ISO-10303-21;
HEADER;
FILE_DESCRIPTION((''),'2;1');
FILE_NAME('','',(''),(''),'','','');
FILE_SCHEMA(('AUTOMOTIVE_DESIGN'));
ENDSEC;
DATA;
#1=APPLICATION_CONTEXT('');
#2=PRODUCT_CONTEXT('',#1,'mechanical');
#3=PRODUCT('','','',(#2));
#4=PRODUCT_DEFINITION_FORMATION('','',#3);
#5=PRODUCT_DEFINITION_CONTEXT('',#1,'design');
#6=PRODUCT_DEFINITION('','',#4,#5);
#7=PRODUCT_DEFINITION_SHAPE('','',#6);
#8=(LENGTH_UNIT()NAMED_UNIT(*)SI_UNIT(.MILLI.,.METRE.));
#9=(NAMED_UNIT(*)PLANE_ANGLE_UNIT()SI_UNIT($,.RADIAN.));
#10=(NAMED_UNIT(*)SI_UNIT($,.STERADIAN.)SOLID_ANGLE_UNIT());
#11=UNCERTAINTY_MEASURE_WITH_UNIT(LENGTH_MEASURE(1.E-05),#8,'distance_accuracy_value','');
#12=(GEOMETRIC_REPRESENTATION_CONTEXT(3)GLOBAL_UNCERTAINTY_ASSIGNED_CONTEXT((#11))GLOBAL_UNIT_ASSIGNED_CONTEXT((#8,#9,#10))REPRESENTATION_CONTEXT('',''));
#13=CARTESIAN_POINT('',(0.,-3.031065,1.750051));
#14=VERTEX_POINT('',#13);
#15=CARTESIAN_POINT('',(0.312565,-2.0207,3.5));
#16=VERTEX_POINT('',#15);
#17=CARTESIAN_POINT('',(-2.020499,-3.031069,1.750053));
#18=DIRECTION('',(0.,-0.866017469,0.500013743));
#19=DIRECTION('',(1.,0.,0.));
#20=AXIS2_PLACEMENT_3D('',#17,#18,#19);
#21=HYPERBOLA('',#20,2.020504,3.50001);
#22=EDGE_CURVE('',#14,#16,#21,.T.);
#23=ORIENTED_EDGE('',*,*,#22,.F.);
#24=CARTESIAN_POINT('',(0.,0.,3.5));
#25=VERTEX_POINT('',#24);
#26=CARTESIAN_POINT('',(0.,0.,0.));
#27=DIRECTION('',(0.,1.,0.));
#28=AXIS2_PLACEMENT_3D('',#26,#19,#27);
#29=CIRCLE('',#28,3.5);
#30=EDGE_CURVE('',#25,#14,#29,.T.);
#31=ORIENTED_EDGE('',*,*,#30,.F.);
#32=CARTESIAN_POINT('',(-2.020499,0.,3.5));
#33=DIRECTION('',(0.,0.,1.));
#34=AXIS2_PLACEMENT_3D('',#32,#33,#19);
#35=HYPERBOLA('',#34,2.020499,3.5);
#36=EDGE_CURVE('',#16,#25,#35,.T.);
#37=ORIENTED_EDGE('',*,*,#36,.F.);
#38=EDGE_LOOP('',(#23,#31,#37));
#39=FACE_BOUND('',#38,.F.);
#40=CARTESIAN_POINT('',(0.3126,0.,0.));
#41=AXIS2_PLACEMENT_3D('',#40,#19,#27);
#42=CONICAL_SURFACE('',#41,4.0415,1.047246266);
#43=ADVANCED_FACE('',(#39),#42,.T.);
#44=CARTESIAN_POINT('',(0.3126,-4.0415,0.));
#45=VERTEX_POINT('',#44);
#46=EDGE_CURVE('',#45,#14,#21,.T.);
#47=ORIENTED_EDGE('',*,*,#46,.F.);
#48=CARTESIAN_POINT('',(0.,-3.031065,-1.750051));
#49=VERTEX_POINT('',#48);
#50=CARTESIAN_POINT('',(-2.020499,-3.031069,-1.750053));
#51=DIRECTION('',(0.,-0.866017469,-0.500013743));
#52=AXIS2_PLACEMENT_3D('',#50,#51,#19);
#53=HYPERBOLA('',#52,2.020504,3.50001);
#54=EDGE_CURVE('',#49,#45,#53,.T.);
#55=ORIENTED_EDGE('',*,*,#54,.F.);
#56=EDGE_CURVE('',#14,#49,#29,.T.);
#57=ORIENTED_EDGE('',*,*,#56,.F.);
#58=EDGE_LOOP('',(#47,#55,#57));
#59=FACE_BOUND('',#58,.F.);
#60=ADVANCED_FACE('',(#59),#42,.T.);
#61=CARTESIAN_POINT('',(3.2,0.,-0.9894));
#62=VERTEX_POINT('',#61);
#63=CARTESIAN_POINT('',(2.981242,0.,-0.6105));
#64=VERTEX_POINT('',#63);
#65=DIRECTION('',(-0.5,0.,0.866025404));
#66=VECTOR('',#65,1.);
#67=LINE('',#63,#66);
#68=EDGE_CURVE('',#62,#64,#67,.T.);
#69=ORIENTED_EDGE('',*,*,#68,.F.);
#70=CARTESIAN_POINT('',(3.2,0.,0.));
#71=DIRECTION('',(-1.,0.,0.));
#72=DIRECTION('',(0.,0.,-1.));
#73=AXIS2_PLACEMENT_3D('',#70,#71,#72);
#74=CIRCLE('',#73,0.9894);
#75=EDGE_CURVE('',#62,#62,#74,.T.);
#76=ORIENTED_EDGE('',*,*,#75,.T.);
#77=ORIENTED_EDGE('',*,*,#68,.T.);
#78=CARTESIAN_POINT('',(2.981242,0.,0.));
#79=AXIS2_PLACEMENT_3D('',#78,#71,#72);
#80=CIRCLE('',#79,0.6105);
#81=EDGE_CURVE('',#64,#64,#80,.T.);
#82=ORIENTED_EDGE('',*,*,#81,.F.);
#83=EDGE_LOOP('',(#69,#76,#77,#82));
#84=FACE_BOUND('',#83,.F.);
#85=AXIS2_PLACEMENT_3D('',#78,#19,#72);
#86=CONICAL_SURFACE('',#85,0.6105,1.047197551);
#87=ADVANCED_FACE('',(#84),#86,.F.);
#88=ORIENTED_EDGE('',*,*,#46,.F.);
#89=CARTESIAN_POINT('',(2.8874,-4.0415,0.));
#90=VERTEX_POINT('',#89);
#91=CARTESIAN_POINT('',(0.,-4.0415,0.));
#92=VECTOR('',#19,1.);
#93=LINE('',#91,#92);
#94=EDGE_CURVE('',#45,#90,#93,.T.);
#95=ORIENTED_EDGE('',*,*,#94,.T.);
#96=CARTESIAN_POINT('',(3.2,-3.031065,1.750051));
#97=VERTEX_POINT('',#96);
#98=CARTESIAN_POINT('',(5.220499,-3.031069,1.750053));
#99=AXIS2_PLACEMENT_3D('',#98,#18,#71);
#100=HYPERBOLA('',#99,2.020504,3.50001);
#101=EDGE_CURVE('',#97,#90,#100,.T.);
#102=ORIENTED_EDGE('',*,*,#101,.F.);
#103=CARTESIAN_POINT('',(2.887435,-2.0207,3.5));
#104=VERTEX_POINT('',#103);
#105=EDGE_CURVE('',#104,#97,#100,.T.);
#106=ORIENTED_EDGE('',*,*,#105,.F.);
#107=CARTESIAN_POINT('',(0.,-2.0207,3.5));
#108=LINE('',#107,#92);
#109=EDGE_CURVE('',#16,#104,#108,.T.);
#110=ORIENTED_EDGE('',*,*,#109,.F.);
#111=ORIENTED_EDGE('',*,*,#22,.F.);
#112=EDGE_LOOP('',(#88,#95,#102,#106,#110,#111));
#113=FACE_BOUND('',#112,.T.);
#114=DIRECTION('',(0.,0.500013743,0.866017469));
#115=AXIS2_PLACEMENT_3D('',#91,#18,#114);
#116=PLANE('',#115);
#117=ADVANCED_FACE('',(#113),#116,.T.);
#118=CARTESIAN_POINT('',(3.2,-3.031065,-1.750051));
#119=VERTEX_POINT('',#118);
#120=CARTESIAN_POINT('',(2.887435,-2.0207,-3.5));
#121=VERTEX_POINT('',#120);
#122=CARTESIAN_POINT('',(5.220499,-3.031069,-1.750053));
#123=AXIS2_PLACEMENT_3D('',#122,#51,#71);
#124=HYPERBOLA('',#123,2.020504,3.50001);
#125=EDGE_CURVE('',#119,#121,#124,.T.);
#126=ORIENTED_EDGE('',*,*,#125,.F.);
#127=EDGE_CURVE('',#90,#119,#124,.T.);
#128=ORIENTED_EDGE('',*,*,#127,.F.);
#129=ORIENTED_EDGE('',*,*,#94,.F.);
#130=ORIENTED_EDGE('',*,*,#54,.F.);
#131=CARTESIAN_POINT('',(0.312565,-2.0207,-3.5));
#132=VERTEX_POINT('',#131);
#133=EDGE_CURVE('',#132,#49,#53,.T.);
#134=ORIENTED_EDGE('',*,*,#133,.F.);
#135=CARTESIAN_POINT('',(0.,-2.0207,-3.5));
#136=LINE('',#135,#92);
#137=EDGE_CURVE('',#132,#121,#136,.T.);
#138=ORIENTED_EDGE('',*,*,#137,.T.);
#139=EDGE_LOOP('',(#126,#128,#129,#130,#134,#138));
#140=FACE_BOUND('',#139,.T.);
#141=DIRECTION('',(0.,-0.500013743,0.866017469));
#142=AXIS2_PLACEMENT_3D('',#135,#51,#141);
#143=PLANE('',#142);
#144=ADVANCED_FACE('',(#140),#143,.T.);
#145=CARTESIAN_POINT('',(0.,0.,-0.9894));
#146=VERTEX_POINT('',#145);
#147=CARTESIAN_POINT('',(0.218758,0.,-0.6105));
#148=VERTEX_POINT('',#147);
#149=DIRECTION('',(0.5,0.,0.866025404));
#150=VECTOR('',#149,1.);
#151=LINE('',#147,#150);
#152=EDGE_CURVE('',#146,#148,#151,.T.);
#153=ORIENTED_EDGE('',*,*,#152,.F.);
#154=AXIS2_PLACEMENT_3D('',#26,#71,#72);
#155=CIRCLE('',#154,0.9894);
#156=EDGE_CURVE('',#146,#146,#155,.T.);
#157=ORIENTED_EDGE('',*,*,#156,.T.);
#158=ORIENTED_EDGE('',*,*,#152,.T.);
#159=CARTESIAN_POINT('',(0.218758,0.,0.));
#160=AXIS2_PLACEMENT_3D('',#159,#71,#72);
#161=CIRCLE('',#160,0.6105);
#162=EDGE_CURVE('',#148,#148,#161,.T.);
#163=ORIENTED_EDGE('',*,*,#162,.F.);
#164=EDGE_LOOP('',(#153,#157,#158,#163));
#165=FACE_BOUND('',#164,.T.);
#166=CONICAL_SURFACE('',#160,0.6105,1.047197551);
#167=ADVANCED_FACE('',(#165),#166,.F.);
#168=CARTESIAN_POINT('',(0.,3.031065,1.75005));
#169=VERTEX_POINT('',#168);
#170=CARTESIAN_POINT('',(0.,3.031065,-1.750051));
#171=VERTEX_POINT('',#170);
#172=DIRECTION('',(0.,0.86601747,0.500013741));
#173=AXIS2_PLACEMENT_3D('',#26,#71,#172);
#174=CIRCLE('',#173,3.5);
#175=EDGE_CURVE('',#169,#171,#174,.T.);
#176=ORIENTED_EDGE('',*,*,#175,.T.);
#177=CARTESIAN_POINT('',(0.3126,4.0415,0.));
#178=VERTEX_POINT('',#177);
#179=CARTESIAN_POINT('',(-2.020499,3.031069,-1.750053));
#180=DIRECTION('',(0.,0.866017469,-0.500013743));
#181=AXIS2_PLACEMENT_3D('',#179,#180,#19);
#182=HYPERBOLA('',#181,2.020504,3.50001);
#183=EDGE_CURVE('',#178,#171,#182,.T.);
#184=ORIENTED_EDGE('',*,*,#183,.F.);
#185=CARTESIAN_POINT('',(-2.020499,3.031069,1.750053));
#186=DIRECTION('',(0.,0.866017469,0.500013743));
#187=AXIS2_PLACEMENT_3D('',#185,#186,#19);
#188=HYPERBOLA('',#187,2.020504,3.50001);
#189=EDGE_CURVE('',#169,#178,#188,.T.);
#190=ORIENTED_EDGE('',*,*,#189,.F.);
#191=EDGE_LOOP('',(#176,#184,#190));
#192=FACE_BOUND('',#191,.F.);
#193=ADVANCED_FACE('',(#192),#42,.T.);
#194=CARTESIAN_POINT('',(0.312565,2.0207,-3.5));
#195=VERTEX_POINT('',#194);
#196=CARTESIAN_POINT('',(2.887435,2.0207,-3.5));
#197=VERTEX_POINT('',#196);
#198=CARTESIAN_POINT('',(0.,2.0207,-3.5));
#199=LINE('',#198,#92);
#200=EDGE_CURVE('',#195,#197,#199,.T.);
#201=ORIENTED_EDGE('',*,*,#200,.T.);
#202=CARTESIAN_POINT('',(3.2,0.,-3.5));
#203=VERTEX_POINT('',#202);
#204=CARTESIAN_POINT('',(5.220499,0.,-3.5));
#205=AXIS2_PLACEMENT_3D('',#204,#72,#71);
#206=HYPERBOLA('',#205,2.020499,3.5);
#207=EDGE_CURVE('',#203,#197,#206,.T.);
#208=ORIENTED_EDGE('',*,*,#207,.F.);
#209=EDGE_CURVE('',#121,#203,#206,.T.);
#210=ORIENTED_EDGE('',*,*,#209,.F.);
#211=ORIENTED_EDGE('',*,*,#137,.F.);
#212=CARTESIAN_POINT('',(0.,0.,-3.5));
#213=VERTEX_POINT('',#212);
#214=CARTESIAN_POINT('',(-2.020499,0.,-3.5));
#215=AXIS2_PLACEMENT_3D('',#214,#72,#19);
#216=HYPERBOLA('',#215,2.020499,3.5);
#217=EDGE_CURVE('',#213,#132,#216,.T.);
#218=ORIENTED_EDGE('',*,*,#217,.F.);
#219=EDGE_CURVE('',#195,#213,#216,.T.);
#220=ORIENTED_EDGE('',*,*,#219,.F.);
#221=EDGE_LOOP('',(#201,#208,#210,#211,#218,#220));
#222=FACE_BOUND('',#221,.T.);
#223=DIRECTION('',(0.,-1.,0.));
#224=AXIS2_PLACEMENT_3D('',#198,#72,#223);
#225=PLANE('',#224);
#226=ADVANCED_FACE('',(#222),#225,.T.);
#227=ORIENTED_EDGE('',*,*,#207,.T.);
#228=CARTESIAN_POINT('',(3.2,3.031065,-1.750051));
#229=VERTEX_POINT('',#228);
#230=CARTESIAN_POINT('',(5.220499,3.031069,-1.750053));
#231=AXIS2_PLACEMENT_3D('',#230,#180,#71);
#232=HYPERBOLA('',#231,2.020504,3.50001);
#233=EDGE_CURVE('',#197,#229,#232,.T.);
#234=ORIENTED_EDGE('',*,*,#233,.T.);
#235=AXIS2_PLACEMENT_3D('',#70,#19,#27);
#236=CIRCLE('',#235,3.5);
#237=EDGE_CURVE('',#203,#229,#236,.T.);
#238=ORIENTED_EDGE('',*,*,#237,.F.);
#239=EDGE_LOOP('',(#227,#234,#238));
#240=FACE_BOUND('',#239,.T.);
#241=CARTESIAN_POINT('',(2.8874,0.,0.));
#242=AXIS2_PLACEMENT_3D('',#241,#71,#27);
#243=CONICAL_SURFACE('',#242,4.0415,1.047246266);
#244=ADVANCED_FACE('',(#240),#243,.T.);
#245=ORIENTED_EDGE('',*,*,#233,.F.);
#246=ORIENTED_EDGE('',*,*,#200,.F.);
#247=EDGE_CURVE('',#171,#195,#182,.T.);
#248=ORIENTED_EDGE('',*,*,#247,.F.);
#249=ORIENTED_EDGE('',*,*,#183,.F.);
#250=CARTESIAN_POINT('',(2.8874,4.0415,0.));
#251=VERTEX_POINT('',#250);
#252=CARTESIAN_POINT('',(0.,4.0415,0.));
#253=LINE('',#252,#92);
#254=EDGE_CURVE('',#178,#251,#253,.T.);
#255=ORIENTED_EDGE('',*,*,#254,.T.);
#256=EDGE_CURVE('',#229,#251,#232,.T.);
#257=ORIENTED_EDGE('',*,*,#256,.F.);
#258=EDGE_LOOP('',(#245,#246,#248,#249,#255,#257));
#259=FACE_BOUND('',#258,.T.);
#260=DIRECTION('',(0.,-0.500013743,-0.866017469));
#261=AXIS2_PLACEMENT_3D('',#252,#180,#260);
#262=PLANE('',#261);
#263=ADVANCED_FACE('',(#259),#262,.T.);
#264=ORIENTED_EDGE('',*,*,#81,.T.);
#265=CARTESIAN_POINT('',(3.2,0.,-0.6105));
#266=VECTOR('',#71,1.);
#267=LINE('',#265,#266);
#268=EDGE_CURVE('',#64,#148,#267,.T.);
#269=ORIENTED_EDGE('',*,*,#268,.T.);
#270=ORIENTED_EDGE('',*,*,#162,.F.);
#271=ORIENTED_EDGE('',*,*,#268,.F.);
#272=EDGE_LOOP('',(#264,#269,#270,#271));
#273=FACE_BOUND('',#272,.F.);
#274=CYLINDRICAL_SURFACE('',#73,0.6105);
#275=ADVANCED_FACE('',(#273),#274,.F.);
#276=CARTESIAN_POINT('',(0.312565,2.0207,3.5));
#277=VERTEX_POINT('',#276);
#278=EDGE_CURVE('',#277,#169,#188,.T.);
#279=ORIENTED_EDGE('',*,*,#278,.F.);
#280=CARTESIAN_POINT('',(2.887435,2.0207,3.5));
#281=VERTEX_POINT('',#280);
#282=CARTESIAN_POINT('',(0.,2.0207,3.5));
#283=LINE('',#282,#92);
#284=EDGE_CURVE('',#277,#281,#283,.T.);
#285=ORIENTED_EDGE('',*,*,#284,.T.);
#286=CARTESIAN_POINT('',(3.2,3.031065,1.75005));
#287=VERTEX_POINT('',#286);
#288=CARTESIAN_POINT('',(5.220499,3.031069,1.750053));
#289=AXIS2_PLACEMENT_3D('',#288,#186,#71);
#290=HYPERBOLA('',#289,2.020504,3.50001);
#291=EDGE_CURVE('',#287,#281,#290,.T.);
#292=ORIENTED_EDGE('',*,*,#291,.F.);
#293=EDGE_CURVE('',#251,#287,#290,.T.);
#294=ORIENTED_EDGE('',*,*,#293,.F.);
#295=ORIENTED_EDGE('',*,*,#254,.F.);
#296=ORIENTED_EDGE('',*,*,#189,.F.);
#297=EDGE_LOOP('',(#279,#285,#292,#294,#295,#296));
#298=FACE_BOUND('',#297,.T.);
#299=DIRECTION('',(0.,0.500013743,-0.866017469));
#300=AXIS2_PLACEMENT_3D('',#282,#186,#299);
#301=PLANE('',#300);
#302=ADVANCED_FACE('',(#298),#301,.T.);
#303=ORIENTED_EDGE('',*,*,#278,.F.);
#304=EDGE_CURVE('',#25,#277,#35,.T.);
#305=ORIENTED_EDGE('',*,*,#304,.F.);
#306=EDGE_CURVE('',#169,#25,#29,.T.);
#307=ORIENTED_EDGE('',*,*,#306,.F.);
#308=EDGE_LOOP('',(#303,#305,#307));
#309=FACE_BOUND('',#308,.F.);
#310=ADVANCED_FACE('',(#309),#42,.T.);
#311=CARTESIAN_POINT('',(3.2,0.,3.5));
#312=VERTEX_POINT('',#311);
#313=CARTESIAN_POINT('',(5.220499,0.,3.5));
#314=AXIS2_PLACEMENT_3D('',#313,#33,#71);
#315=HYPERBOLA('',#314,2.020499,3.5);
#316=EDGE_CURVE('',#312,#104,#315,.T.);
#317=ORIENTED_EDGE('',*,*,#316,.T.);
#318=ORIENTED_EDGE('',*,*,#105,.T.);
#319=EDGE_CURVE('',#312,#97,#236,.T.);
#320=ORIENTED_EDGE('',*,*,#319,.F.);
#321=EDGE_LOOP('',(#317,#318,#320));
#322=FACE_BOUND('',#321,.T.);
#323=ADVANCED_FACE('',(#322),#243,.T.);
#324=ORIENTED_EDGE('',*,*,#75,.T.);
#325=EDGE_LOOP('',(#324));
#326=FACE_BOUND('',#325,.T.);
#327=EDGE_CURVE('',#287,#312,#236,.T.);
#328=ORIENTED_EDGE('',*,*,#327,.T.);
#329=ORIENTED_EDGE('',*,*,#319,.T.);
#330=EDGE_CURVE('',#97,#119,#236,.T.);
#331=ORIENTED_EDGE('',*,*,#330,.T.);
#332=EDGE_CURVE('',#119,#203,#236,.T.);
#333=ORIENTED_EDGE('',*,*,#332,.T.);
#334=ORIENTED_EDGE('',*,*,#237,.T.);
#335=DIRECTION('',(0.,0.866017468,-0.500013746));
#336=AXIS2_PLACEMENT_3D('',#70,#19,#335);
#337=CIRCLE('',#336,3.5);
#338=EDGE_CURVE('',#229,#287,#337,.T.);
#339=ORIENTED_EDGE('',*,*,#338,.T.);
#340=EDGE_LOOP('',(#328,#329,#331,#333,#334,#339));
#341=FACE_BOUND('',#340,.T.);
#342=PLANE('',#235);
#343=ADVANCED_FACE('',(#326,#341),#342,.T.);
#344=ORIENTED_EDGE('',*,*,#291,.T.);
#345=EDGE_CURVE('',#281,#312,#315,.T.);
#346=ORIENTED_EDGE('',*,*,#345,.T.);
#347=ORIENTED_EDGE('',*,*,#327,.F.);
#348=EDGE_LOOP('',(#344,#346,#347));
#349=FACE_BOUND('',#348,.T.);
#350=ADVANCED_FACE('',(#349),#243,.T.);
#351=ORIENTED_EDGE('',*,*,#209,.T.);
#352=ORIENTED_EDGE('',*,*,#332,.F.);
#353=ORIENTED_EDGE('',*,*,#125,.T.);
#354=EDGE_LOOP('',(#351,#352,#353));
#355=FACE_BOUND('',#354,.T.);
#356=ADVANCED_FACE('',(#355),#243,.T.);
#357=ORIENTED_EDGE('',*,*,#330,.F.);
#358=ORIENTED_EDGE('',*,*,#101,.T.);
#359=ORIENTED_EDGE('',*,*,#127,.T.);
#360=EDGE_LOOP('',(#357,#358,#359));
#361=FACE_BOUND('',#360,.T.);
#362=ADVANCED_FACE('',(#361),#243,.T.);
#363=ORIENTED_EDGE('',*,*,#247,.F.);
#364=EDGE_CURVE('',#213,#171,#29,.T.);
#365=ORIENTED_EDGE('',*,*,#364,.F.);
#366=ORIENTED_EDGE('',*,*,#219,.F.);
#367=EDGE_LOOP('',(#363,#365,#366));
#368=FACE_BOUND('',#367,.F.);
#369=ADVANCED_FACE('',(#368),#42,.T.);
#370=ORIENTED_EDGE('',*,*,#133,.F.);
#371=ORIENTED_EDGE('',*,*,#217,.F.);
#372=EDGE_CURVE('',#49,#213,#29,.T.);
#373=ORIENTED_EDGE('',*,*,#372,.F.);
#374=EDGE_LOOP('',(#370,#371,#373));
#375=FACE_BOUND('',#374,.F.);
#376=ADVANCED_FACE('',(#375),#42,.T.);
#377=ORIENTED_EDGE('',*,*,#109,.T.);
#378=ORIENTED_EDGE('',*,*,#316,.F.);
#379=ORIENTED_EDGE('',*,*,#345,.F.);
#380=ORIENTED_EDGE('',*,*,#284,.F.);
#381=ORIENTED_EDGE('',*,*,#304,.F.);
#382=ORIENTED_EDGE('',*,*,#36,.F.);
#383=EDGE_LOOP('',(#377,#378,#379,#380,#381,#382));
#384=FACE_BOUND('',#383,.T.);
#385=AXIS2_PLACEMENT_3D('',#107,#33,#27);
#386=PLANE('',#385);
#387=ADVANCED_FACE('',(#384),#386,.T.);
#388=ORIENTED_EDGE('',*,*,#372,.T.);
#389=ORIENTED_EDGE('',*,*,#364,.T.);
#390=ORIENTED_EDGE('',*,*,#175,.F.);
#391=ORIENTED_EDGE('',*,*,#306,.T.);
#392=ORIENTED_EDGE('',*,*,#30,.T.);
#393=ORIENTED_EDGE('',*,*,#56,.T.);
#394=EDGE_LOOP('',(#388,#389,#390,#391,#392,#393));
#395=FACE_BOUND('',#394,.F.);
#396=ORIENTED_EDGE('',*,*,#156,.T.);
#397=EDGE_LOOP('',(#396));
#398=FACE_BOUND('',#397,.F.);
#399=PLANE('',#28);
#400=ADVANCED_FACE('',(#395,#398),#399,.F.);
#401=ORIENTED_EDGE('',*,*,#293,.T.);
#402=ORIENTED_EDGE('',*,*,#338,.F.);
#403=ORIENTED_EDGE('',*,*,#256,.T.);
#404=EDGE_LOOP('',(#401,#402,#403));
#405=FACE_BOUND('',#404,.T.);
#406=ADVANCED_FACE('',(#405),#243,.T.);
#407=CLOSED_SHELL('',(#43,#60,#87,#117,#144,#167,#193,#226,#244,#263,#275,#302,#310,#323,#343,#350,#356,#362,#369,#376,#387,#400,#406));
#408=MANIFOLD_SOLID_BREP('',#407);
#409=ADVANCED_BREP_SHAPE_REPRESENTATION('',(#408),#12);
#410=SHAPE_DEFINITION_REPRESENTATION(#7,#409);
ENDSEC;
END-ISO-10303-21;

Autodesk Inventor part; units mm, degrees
ref_plane "YZ Plane" through (0, 0, 0) normal (1, 0, 0) x (0, 1, 0)
ref_plane "XZ Plane" through (0, 0, 0) normal (0, 1, 0) x (-1, 0, 0)
sketch "Sketch1" plane through (0, 0, 0) normal (1, 0, 0) x (0, 1, 0)
  line L0 (-4.0415, 0) -> (-2.0207, 3.5)
  line L1 (-2.0207, 3.5) -> (2.0207, 3.5)
  line L2 (2.0207, 3.5) -> (4.0415, 0)
  line L3 (4.0415, 0) -> (2.0207, -3.5)
  line L4 (2.0207, -3.5) -> (-2.0207, -3.5)
  line L5 (-2.0207, -3.5) -> (-4.0415, 0)
  point P0 (0, 0)
  point P1 (0, 0)
  dimension "d0" = 8.0829
extrude "Body" add sketch "Sketch1" along normal blind 3.2
sketch "Sketch2" plane through (0, 0, 0) normal (0, 0, 1) x (1, 0, 0)
  line L0 (0, 2.0207) -> (0, 4.0415) projected
  line L1 (0, 4.0415) -> (3.2, 4.0415) projected
  line L2 (3.2, 2.0207) -> (3.2, 4.0415) projected
  line L3 (-0.16, 0) -> (0.96, 0) projected
  line L4 (0.3126, 4.0415) -> (0, 3.5)
  line L5 (2.8874, 4.0415) -> (3.2, 3.5)
  dimension "d3" = 30
  dimension "d4" = 30
  dimension "d5" = 7
  dimension "d6" = 7
revolve "Chamfer1" cut sketch "Sketch2" angle 360 about axis through (-10, 0, 0) along (1, 0, 0)
sketch "Sketch3" plane through (3.2, 0, 0) normal (1, 0, 0) x (0, 0, -1)
  arc A0 (-1.75, -3.0311) -> (1.75, -3.0311) centre (0, 0) ccw projected
hole "Thread" at (3.2, 0, 0) direction (-1, 0, 0) diameter 1.221 end through all thread size "M1.6x0.35" class "6H" standard "ANSI Metric M Profile"
chamfer "Chamfer2" distance 0.3789 angle 30 1 edges at (3.2, 0, 0.6105) measured on face at (3.2, 2.5226, -0.0245)
chamfer "Chamfer3" distance 0.3789 angle 30 1 edges at (0, 0, 0.6105) measured on face at (0, 2.5226, -0.0245)
ref_plane "Work Plane1" through (-7.9612, 0, 0) normal (0, -0.866, -0.5) x (1, 0, 0)
equation "\"d0\" = 1.1547 * SW"
equation "\"d1\" = KOH"
equation "\"d3\" = ANG1"
equation "\"d4\" = ANG2"
equation "\"d5\" = SW0"
equation "\"d6\" = SW01"
equation "\"d8\" = -0.5 * GD1 + 0.5 * NND"
equation "\"d40\" = -0.5 * GD1 + 0.5 * NND"
equation "\"d10\" = -0.5 * GD1 + 0.5 * NND"
equation "\"d41\" = -0.5 * GD1 + 0.5 * NND"
equation "\"ANG1\" = 30deg"
equation "\"ANG2\" = 30deg"
equation "\"NND\" = 4"
equation "\"KOH\" = 3.2"
equation "\"SW\" = 7"
equation "\"SW0\" = SW"
equation "\"SW01\" = SW"
equation "\"GUL\" = 0.541266 * PTC"
equation "\"WFT\" = 0.4"
equation "\"THREADDIA\" = 4"
equation "\"TOA\" = 30deg"
equation "\"PTC\" = 0.7"
equation "\"E0\" = 1.155 * SW"
equation "\"GAL\" = 0.541266 * PTC"
equation "\"GD1\" = 3.242228"
properties part number "AS 1112 - M4  Type 5" material "Steel, Mild"
